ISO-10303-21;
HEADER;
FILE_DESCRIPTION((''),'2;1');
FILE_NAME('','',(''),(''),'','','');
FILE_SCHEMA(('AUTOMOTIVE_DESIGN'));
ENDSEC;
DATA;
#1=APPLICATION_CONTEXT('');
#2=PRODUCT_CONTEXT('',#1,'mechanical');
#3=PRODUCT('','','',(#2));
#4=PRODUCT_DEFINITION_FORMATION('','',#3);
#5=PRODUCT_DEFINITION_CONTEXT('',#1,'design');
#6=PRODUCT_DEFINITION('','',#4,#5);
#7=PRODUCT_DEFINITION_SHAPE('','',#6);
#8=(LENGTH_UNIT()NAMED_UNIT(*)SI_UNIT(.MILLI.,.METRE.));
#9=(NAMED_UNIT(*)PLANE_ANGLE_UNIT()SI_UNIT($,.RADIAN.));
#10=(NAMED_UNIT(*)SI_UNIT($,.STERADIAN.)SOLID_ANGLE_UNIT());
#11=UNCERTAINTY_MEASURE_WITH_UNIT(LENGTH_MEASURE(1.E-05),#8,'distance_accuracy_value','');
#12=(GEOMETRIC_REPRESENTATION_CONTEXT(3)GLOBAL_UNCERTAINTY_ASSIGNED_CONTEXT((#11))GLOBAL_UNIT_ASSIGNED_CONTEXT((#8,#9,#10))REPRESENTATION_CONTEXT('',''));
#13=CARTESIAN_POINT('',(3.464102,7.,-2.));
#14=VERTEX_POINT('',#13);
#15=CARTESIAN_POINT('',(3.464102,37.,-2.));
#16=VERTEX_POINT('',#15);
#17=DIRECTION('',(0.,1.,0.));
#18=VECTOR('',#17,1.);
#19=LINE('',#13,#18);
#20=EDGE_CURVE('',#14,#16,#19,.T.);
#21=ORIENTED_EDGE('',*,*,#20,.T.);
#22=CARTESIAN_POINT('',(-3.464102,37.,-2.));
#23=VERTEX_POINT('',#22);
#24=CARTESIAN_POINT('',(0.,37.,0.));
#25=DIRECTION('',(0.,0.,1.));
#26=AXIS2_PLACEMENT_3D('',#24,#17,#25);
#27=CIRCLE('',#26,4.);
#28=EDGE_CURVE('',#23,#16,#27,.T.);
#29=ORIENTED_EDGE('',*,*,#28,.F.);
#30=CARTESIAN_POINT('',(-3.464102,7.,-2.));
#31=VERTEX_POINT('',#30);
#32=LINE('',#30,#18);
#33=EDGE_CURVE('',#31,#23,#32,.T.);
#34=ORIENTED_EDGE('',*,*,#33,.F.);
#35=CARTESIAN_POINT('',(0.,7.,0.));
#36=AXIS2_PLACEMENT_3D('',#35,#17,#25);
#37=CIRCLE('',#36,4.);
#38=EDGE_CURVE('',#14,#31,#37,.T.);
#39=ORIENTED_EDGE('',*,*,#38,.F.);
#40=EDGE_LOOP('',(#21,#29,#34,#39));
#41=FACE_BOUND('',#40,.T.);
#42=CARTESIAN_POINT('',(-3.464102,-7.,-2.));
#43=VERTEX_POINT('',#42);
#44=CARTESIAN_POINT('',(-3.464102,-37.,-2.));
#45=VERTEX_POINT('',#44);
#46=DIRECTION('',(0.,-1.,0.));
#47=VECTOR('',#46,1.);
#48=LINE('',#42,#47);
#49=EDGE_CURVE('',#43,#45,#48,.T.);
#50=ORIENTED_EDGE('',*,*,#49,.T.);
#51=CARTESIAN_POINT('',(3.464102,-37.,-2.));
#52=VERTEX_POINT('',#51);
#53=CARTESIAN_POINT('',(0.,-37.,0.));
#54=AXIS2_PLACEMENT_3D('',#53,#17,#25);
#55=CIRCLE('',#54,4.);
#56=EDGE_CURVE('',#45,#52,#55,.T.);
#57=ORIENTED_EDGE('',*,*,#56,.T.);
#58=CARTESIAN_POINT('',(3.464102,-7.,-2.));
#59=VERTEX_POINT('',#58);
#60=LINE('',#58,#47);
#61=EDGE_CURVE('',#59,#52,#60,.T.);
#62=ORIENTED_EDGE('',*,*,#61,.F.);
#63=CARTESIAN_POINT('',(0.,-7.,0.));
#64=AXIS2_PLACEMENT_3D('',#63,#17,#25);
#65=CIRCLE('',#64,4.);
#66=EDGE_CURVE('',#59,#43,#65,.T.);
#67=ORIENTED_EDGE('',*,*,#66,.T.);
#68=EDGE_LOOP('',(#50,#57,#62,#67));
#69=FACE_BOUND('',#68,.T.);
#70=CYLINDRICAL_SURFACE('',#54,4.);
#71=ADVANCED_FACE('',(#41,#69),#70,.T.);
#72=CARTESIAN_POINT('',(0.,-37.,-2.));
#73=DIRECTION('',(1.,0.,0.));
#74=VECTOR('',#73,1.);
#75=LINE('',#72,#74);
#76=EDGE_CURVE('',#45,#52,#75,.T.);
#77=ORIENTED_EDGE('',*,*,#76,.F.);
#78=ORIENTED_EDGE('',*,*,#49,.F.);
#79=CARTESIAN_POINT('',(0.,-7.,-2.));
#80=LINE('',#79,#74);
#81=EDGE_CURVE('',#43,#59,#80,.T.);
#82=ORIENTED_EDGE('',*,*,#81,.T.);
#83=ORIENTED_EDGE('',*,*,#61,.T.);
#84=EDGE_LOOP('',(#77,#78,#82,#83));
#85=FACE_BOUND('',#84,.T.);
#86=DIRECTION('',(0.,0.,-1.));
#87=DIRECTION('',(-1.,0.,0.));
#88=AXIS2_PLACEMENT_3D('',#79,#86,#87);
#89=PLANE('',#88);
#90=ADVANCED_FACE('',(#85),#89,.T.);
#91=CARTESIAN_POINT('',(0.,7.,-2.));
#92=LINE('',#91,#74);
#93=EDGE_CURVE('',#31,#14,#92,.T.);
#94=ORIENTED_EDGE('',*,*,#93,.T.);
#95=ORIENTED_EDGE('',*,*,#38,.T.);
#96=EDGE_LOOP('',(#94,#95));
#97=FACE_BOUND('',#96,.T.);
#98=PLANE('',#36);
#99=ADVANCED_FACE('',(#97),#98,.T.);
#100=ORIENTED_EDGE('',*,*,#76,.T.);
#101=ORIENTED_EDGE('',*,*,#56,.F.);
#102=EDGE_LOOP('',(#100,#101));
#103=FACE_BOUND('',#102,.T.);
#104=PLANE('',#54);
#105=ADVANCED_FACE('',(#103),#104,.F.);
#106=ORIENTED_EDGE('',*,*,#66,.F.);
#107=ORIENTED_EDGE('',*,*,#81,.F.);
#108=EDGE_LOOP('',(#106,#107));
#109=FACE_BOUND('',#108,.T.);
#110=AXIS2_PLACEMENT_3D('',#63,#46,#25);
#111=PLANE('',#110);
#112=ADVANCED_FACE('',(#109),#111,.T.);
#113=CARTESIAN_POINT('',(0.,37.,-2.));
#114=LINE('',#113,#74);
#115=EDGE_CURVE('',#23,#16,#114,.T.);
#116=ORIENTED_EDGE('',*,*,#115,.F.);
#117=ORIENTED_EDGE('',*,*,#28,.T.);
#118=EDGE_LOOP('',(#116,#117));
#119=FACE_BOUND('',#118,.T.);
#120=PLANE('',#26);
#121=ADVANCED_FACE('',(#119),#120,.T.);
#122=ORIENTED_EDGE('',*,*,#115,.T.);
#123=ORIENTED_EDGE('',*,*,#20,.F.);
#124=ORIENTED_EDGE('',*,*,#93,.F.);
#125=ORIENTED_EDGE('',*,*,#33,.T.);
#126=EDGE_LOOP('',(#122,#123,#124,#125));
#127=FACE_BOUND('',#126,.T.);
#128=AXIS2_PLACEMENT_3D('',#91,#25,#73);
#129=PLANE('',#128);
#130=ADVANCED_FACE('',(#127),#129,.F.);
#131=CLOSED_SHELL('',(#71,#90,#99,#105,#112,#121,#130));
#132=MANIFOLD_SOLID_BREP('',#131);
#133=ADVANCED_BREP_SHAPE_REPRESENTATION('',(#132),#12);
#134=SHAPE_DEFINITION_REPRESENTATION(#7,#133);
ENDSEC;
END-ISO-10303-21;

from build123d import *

# Parameters (mm, degrees)
BOSS_EXTRUDE1_DEPTH      = 37
BOSS_EXTRUDE1_DEPTH_BACK = 37
SKETCH1_R                = 4
CUT_EXTRUDE1_DEPTH       = 30


with BuildPart() as part:
    # Sketch1 → Boss-Extrude1 (new, two sides: drawn at the far end of the back side and taken through both)
    with BuildSketch(Plane(origin=(0, 0, 0), x_dir=(1, 0, 0), z_dir=(0, 1, 0)).offset(-BOSS_EXTRUDE1_DEPTH_BACK)):
        Circle(SKETCH1_R)
    extrude(amount=BOSS_EXTRUDE1_DEPTH + BOSS_EXTRUDE1_DEPTH_BACK)

    # Sketch2 → Cut-Extrude1 (cut)
    with BuildSketch(Plane(origin=(0, 37, 0), x_dir=(1, 0, 0), z_dir=(0, 1, 0))):
        with BuildLine():
            ThreePointArc((3.464101615, 2), (0, 4), (-3.464101615, 2))
            Line((-3.464101615, 2), (3.464101615, 2))
        make_face()
    cut_extrude1 = extrude(amount=-CUT_EXTRUDE1_DEPTH, mode=Mode.SUBTRACT)

    # Mirror1: Cut-Extrude1 across plane
    add(cut_extrude1.mirror(Plane.ZX), mode=Mode.SUBTRACT)


solid = part.part
